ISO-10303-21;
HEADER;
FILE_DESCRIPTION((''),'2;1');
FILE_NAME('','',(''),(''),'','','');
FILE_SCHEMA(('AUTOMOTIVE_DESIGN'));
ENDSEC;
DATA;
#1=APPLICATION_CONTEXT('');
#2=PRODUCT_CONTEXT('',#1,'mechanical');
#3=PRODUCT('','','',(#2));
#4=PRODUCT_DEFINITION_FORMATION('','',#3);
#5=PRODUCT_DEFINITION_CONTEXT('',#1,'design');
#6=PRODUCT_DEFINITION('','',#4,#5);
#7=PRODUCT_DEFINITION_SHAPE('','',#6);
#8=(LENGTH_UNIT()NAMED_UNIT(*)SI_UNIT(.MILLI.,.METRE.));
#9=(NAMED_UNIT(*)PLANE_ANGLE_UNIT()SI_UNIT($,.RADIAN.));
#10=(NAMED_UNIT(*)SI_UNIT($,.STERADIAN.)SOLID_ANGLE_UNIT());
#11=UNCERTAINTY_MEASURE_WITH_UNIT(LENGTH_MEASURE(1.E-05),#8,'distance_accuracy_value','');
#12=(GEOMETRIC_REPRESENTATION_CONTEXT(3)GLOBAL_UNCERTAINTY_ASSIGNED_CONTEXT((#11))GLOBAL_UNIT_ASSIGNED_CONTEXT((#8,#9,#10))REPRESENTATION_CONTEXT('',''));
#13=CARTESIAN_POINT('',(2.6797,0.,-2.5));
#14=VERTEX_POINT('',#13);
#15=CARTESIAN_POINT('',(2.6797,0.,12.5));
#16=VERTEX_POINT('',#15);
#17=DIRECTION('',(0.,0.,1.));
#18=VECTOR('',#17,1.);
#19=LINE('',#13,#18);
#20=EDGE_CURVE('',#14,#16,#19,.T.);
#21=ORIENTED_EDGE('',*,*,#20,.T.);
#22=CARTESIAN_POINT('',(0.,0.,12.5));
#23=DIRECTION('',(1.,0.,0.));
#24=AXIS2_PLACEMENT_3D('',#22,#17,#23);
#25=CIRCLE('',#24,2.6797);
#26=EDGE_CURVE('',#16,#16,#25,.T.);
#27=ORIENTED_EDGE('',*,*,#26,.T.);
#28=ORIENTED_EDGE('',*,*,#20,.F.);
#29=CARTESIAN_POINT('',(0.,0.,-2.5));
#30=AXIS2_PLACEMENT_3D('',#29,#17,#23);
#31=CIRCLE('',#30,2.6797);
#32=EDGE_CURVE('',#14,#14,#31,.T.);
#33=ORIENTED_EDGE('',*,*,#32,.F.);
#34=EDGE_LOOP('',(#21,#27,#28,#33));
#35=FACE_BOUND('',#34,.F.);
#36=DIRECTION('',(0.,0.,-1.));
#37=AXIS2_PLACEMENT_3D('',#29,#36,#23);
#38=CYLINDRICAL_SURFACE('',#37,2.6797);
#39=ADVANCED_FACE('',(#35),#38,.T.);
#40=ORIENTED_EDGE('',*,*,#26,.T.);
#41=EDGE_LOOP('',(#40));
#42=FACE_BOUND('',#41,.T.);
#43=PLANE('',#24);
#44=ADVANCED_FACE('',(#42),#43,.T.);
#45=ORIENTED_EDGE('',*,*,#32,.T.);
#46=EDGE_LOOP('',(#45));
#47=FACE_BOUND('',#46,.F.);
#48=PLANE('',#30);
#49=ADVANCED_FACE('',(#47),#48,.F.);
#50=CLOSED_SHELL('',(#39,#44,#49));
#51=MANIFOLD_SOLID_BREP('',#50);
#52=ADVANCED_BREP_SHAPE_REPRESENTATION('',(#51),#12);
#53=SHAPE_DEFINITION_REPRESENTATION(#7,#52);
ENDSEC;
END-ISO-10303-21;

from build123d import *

# Parameters (mm, degrees)
CYLINDER_R     = 2.6797
CYLINDER_DEPTH = 15


with BuildPart() as part:
    # Cylinder → Cylinder (new body)
    with BuildSketch(Plane.XY.offset(-2.5)):
        Circle(CYLINDER_R)
    extrude(amount=CYLINDER_DEPTH)


solid = part.part
